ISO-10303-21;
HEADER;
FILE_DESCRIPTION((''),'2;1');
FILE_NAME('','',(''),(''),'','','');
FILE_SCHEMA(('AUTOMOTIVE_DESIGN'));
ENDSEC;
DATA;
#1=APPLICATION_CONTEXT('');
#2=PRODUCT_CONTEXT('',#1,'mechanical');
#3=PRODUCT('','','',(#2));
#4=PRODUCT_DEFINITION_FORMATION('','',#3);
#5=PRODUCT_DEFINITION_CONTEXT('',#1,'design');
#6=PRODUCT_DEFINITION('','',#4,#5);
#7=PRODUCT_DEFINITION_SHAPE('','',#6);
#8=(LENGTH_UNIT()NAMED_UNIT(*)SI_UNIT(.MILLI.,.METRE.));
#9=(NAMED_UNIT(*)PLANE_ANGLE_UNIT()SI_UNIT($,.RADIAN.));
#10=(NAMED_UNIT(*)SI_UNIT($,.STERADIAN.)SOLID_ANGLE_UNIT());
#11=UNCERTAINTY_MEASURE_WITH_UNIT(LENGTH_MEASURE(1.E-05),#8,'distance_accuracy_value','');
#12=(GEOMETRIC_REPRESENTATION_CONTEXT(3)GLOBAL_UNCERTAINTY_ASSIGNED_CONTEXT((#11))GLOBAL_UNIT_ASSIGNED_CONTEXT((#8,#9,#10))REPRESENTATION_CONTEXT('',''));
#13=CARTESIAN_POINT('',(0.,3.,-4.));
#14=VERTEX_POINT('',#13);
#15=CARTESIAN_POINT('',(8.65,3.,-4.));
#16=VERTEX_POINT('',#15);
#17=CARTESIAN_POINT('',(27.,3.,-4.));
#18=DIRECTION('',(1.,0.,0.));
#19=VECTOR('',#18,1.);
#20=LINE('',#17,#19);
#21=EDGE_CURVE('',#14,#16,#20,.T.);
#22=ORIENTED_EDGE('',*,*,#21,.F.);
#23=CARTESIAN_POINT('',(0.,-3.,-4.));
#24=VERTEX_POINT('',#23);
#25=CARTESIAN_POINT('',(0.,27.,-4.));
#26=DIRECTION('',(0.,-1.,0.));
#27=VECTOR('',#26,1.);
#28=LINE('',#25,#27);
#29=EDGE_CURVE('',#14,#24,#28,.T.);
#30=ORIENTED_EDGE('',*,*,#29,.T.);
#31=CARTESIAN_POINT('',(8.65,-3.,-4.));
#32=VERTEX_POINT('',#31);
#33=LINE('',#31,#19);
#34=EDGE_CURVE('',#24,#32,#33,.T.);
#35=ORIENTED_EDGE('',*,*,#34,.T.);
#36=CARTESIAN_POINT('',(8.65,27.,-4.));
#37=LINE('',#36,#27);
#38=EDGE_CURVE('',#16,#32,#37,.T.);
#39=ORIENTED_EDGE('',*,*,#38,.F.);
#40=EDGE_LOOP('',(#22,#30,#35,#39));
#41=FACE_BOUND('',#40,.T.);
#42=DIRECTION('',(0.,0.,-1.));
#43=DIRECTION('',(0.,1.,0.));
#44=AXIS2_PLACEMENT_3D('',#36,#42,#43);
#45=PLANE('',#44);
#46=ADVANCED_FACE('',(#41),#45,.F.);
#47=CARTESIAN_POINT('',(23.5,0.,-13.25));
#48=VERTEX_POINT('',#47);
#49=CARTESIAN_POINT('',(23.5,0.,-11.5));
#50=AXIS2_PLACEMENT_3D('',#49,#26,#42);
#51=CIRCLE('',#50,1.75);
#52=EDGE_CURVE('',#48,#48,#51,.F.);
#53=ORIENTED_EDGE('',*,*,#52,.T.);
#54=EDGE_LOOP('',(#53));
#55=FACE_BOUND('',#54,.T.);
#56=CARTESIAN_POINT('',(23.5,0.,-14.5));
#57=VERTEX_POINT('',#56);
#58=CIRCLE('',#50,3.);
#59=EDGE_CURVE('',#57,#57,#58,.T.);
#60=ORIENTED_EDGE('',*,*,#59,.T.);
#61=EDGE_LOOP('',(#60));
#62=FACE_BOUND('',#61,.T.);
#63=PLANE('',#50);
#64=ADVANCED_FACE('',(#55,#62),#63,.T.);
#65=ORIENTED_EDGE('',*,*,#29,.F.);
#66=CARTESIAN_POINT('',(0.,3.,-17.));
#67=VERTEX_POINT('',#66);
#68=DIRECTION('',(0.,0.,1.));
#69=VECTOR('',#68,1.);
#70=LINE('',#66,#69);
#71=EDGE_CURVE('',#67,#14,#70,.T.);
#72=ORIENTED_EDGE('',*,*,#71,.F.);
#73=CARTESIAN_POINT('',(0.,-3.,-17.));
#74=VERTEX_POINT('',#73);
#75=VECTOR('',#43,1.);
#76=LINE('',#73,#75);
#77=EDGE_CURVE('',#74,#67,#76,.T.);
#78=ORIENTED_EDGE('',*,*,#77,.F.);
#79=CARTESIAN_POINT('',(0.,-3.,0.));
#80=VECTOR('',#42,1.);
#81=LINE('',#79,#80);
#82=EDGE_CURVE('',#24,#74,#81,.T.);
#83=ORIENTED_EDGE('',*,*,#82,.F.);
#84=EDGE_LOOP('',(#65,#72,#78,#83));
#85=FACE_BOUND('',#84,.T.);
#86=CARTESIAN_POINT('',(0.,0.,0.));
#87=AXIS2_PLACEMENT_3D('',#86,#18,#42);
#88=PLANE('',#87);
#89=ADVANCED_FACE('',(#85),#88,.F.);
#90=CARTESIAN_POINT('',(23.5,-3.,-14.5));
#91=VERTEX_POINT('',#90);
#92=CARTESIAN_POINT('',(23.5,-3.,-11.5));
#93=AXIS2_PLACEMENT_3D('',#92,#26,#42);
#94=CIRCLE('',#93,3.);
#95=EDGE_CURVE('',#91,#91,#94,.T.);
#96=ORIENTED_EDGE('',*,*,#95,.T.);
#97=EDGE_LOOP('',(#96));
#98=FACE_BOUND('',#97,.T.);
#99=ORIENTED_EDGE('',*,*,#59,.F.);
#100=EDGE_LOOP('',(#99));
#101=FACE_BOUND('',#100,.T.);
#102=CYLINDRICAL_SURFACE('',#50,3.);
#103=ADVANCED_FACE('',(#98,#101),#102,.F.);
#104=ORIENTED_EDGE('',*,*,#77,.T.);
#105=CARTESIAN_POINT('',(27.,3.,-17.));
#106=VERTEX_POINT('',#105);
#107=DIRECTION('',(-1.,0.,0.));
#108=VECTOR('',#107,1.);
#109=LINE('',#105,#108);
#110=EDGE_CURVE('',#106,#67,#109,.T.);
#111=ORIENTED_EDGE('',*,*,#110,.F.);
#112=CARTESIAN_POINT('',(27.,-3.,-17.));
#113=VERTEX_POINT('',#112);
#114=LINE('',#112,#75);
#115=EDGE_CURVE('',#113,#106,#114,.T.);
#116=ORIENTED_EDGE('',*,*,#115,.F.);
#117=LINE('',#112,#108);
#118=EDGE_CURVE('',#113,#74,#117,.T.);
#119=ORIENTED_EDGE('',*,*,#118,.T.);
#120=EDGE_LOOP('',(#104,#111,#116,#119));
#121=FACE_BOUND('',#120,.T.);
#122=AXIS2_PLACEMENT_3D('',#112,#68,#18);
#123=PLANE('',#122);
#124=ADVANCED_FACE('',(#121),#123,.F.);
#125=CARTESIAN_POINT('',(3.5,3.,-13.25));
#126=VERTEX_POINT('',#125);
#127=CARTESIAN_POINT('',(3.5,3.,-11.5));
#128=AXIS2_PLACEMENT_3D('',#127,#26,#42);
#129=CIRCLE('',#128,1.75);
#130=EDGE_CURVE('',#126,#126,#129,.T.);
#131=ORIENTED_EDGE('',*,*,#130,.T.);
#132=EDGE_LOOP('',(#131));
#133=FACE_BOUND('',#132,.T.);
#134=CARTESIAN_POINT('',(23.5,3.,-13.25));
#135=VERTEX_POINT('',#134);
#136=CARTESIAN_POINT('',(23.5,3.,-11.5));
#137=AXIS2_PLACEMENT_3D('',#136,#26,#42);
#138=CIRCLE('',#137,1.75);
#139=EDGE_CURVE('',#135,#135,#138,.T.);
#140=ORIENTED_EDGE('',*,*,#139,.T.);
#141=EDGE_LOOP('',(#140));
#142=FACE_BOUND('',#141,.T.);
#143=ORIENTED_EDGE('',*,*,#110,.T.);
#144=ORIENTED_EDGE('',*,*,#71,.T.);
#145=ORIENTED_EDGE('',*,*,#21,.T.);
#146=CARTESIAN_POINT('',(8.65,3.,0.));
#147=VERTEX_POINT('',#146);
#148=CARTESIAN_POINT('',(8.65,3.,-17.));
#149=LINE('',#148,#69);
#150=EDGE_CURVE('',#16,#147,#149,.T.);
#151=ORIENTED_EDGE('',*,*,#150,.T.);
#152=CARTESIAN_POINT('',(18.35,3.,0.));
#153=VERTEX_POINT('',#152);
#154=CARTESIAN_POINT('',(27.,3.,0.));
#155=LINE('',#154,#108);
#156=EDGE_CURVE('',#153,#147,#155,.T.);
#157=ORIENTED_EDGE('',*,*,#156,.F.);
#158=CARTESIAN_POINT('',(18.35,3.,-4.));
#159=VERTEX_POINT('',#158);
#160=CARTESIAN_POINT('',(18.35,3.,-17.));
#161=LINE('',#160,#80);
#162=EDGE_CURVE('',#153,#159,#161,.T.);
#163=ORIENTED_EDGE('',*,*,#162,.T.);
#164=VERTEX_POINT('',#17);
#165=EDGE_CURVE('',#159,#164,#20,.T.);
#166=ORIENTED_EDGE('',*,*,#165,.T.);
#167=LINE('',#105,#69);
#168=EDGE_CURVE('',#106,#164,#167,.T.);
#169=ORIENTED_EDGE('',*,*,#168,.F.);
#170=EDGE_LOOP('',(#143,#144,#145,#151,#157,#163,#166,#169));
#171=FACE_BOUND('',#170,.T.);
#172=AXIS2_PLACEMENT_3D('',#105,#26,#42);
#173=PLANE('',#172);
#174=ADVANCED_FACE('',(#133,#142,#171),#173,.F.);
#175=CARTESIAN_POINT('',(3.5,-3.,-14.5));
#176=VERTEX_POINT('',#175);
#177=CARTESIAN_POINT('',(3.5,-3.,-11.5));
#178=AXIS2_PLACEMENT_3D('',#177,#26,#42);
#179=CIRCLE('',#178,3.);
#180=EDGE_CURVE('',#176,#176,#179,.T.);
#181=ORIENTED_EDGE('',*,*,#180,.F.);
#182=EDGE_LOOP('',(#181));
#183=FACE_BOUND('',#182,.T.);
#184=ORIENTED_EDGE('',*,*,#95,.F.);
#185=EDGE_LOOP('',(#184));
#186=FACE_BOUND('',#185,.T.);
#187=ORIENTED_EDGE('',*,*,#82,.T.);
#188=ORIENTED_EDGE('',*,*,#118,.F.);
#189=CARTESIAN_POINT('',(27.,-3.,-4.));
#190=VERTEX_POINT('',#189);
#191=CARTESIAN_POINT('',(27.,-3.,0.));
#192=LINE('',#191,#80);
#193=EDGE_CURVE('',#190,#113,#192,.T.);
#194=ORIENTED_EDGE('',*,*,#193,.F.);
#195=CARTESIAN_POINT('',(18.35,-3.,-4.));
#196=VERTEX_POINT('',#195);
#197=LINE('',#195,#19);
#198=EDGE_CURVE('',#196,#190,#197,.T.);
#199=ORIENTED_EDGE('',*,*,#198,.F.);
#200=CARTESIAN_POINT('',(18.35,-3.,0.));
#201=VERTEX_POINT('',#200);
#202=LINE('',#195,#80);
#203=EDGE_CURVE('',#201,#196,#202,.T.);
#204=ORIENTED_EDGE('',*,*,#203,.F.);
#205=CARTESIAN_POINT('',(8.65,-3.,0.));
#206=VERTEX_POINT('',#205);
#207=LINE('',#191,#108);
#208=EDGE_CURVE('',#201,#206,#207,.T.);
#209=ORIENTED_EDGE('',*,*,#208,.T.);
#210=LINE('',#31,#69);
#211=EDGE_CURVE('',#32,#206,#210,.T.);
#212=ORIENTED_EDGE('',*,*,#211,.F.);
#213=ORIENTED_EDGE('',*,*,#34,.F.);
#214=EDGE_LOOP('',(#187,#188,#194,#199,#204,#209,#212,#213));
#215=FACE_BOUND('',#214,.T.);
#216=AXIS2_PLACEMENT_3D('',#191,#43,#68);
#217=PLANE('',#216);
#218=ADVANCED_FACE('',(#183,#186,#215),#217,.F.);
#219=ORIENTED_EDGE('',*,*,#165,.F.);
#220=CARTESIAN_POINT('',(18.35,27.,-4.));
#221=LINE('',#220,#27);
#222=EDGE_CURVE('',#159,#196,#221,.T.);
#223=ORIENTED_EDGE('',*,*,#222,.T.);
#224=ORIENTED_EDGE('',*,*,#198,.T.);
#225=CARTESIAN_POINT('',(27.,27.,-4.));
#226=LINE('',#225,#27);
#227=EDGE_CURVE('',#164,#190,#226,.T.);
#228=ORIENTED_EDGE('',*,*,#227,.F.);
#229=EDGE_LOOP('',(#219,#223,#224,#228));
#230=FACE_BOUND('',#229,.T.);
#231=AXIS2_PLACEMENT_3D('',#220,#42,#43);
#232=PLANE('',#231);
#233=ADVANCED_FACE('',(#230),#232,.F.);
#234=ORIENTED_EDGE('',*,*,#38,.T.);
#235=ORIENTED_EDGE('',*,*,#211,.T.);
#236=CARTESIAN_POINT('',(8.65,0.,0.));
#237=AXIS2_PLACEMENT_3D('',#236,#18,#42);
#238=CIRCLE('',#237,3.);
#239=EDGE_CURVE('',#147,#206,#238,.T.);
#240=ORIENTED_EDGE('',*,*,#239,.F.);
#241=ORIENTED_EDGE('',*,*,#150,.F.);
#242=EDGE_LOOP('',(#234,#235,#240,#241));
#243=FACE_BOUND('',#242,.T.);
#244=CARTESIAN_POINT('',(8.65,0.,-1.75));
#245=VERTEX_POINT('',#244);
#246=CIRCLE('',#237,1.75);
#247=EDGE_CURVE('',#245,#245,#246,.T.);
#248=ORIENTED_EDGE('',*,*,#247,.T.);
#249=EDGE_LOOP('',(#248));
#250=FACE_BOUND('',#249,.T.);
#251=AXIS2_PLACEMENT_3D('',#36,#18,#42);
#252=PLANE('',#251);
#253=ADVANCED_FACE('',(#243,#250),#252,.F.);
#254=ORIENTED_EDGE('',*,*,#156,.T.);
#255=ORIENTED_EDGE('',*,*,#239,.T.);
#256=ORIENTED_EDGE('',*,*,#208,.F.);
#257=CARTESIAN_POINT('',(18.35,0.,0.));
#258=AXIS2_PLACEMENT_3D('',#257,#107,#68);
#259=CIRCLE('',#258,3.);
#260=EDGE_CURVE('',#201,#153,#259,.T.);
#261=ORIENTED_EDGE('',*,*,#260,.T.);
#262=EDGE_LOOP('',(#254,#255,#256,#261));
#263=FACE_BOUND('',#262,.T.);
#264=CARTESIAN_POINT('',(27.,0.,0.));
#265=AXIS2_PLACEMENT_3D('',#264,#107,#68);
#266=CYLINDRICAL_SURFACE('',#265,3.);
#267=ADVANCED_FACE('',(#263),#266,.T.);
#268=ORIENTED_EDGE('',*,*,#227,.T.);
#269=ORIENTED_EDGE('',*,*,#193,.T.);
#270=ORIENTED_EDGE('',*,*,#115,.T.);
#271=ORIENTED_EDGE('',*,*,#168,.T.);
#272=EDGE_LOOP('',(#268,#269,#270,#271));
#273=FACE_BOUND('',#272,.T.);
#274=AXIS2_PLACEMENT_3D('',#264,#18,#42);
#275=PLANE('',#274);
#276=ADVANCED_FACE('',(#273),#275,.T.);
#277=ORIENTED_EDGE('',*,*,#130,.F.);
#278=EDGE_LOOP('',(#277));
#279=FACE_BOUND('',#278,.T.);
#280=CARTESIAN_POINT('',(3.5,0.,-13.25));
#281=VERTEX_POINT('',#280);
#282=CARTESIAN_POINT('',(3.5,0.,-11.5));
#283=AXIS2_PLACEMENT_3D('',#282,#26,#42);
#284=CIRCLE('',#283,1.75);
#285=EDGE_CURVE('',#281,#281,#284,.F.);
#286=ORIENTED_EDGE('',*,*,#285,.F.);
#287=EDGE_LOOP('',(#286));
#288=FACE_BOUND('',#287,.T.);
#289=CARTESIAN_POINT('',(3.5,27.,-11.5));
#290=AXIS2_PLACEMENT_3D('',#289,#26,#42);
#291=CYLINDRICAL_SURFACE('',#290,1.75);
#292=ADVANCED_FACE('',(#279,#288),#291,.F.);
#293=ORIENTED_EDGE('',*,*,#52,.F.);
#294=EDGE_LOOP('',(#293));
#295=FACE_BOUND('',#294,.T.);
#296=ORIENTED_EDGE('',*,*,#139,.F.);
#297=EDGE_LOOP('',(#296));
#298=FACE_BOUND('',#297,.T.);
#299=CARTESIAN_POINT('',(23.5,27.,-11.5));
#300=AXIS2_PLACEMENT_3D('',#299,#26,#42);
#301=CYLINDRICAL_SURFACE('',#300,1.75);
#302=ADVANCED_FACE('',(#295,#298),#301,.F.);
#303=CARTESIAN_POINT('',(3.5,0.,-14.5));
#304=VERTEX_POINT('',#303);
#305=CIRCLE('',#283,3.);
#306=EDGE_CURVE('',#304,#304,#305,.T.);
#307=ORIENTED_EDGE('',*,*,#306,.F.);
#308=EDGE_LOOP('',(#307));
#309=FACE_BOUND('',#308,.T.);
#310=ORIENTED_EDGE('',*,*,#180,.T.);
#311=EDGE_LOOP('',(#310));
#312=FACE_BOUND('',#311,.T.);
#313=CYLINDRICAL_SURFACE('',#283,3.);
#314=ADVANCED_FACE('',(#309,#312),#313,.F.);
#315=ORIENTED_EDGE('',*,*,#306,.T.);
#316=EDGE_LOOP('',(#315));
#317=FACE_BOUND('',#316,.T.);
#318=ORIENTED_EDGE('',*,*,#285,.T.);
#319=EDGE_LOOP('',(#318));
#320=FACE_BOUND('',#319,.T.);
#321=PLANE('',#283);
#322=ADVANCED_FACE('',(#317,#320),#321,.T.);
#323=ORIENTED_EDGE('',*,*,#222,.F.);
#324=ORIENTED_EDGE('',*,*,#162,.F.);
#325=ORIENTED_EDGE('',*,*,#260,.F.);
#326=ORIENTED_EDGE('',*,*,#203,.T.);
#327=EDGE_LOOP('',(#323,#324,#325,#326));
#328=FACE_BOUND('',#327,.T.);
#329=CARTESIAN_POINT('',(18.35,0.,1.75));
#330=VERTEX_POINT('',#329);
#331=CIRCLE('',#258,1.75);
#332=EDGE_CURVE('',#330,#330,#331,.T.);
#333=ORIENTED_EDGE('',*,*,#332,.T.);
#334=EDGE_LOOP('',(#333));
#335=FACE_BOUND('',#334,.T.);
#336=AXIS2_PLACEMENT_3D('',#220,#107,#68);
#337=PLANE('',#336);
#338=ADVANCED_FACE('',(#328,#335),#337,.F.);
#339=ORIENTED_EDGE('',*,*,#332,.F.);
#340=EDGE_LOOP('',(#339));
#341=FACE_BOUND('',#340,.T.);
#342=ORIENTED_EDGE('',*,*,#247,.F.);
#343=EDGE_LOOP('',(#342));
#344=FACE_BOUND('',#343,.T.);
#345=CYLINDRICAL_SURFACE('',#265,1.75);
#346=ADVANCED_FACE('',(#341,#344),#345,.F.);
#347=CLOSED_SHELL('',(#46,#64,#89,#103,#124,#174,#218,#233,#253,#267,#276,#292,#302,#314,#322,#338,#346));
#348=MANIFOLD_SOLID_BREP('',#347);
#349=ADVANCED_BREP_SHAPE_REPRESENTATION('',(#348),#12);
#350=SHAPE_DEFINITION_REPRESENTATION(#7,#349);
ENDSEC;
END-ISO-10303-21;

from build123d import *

# Parameters (mm, degrees)
SKETCH2_R           = 1.75
BOSS_EXTRUDE2_DEPTH = 27
SKETCH3_R           = 1.75
SKETCH3_W           = 8.65
SKETCH3_H           = 7
CUT_EXTRUDE1_DEPTH  = 30
SKETCH4_R           = 3
CUT_EXTRUDE2_DEPTH  = 3


with BuildPart() as part:
    # Sketch2 → Boss-Extrude2 (new body)
    with BuildSketch(Plane(origin=(0, 0, 0), x_dir=(0, 0, -1), z_dir=(1, 0, 0))):
        with BuildLine():
            Line((0, -3), (17, -3))
            Line((17, -3), (17, 3))
            Line((17, 3), (0, 3))
            ThreePointArc((0, 3), (-3, 0), (0, -3))
        make_face()
        Circle(SKETCH2_R, mode=Mode.SUBTRACT)
    extrude(amount=BOSS_EXTRUDE2_DEPTH)

    # Sketch3 → Cut-Extrude1 (cut)
    with BuildSketch(Plane.XZ.offset(3)):
        with Locations((3.5, -11.5)):
            Circle(SKETCH3_R)
        with Locations((23.5, -11.5)):
            Circle(SKETCH3_R)
        with Locations((22.675, -0.5)):
            Rectangle(SKETCH3_W, SKETCH3_H)
        with Locations((4.325, -0.5)):
            Rectangle(SKETCH3_W, SKETCH3_H)
    extrude(amount=-CUT_EXTRUDE1_DEPTH, mode=Mode.SUBTRACT)

    # Sketch4 → Cut-Extrude2 (cut)
    with BuildSketch(Plane.XZ.offset(3)):
        with Locations((3.5, -11.5)):
            Circle(SKETCH4_R)
        with Locations((23.5, -11.5)):
            Circle(SKETCH4_R)
    extrude(amount=-CUT_EXTRUDE2_DEPTH, mode=Mode.SUBTRACT)


solid = part.part
